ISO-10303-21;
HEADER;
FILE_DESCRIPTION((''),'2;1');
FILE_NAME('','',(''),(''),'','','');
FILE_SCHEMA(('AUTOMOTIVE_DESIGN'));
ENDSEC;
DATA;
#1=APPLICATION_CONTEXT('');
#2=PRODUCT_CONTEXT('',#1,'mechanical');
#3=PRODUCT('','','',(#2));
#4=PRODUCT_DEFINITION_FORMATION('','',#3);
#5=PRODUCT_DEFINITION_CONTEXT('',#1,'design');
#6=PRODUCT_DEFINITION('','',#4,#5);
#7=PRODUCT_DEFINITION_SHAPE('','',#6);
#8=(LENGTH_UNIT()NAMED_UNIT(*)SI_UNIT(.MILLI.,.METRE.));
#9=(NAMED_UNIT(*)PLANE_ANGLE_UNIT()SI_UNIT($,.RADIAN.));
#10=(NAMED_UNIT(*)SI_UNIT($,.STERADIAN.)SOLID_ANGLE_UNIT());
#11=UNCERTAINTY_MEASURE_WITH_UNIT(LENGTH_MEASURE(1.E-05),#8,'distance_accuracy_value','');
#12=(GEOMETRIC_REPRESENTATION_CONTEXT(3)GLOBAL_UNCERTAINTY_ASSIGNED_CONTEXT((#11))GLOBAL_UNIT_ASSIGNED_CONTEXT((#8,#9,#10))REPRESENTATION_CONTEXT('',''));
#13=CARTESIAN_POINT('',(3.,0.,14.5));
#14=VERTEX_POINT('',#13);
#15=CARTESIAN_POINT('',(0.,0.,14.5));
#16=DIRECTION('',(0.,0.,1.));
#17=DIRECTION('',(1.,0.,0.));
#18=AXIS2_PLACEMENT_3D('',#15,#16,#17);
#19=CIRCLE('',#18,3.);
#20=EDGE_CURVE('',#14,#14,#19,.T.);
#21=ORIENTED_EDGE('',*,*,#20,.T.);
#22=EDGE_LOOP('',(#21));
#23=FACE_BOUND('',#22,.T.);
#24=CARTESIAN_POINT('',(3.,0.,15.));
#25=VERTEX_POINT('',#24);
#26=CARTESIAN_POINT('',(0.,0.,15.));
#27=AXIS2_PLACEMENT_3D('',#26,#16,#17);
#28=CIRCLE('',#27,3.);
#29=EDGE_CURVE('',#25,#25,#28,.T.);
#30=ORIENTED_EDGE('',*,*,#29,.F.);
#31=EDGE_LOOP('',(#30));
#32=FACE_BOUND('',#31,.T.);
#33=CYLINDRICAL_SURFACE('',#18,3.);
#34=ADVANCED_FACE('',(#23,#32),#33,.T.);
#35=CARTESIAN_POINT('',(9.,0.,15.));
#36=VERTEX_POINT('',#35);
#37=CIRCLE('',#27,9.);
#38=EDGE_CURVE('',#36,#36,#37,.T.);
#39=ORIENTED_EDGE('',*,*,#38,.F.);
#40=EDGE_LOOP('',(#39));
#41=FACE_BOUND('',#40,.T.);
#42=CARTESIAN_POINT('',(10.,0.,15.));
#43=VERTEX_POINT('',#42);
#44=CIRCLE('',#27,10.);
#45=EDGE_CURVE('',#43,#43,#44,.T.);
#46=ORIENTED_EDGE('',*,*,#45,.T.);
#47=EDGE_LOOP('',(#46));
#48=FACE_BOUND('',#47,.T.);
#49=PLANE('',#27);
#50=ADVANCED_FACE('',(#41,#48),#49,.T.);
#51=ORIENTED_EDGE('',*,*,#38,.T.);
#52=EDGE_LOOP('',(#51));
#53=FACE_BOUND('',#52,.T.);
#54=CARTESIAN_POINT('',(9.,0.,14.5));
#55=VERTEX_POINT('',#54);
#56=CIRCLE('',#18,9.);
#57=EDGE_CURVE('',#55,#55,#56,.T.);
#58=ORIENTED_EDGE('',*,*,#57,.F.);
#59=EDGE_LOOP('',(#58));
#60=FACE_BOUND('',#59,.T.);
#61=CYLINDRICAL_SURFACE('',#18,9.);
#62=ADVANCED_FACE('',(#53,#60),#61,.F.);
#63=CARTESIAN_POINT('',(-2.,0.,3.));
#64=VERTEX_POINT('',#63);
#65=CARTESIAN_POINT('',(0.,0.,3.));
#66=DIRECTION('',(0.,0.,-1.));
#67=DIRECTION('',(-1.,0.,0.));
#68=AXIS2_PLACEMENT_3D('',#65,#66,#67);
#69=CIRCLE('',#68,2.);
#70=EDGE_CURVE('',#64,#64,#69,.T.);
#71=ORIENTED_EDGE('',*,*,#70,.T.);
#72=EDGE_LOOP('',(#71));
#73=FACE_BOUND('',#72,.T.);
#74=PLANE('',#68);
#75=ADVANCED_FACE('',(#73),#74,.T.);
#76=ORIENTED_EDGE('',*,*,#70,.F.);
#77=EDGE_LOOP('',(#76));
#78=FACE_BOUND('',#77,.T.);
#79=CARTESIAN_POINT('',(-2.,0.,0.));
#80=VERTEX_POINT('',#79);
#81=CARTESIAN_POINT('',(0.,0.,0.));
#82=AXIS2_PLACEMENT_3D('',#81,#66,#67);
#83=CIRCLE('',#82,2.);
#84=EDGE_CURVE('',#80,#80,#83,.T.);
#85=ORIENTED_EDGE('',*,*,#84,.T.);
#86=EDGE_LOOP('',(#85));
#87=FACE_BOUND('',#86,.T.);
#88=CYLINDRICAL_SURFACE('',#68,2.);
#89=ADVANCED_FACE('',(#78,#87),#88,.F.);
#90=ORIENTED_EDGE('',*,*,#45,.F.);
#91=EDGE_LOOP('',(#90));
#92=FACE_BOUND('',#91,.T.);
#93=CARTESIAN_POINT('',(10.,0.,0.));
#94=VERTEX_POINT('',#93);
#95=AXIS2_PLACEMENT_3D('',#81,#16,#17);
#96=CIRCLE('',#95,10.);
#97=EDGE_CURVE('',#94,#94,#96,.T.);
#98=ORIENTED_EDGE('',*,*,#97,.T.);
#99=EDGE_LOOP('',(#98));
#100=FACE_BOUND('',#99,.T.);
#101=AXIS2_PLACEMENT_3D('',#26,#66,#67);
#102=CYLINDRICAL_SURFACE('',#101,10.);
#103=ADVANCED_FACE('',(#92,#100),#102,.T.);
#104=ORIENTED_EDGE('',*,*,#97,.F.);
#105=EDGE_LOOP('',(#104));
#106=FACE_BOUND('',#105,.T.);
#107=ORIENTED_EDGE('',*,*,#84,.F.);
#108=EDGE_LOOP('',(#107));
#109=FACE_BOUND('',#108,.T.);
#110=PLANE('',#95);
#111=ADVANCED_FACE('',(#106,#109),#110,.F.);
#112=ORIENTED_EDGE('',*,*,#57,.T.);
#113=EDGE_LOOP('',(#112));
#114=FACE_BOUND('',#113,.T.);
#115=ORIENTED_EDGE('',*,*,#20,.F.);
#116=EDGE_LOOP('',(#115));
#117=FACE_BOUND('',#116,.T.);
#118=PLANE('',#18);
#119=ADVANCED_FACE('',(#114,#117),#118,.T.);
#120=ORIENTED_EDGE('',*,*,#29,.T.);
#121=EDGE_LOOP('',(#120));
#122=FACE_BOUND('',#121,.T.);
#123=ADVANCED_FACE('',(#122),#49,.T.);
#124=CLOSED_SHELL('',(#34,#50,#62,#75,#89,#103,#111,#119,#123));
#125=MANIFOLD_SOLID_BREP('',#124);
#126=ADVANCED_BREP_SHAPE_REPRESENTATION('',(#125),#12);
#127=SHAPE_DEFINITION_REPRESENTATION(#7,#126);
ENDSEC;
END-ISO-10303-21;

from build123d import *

# Parameters (mm, degrees)
SKETCH1_R           = 10
BOSS_EXTRUDE1_DEPTH = 15
SKETCH2_R           = 9
SKETCH2_R_2         = 3
CUT_EXTRUDE1_DEPTH  = 0.5
SKETCH3_R           = 2
CUT_EXTRUDE2_DEPTH  = 3


with BuildPart() as part:
    # Sketch1 → Boss-Extrude1 (new body)
    with BuildSketch(Plane.XY):
        Circle(SKETCH1_R)
    extrude(amount=BOSS_EXTRUDE1_DEPTH)

    # Sketch2 → Cut-Extrude1 (cut)
    with BuildSketch(Plane.XY.offset(15)):
        Circle(SKETCH2_R)
        Circle(SKETCH2_R_2, mode=Mode.SUBTRACT)
    extrude(amount=-CUT_EXTRUDE1_DEPTH, mode=Mode.SUBTRACT)

    # Sketch3 → Cut-Extrude2 (cut)
    with BuildSketch(Plane(origin=(0, 0, 0), x_dir=(-1, 0, 0), z_dir=(0, 0, -1))):
        Circle(SKETCH3_R)
    extrude(amount=-CUT_EXTRUDE2_DEPTH, mode=Mode.SUBTRACT)


solid = part.part
